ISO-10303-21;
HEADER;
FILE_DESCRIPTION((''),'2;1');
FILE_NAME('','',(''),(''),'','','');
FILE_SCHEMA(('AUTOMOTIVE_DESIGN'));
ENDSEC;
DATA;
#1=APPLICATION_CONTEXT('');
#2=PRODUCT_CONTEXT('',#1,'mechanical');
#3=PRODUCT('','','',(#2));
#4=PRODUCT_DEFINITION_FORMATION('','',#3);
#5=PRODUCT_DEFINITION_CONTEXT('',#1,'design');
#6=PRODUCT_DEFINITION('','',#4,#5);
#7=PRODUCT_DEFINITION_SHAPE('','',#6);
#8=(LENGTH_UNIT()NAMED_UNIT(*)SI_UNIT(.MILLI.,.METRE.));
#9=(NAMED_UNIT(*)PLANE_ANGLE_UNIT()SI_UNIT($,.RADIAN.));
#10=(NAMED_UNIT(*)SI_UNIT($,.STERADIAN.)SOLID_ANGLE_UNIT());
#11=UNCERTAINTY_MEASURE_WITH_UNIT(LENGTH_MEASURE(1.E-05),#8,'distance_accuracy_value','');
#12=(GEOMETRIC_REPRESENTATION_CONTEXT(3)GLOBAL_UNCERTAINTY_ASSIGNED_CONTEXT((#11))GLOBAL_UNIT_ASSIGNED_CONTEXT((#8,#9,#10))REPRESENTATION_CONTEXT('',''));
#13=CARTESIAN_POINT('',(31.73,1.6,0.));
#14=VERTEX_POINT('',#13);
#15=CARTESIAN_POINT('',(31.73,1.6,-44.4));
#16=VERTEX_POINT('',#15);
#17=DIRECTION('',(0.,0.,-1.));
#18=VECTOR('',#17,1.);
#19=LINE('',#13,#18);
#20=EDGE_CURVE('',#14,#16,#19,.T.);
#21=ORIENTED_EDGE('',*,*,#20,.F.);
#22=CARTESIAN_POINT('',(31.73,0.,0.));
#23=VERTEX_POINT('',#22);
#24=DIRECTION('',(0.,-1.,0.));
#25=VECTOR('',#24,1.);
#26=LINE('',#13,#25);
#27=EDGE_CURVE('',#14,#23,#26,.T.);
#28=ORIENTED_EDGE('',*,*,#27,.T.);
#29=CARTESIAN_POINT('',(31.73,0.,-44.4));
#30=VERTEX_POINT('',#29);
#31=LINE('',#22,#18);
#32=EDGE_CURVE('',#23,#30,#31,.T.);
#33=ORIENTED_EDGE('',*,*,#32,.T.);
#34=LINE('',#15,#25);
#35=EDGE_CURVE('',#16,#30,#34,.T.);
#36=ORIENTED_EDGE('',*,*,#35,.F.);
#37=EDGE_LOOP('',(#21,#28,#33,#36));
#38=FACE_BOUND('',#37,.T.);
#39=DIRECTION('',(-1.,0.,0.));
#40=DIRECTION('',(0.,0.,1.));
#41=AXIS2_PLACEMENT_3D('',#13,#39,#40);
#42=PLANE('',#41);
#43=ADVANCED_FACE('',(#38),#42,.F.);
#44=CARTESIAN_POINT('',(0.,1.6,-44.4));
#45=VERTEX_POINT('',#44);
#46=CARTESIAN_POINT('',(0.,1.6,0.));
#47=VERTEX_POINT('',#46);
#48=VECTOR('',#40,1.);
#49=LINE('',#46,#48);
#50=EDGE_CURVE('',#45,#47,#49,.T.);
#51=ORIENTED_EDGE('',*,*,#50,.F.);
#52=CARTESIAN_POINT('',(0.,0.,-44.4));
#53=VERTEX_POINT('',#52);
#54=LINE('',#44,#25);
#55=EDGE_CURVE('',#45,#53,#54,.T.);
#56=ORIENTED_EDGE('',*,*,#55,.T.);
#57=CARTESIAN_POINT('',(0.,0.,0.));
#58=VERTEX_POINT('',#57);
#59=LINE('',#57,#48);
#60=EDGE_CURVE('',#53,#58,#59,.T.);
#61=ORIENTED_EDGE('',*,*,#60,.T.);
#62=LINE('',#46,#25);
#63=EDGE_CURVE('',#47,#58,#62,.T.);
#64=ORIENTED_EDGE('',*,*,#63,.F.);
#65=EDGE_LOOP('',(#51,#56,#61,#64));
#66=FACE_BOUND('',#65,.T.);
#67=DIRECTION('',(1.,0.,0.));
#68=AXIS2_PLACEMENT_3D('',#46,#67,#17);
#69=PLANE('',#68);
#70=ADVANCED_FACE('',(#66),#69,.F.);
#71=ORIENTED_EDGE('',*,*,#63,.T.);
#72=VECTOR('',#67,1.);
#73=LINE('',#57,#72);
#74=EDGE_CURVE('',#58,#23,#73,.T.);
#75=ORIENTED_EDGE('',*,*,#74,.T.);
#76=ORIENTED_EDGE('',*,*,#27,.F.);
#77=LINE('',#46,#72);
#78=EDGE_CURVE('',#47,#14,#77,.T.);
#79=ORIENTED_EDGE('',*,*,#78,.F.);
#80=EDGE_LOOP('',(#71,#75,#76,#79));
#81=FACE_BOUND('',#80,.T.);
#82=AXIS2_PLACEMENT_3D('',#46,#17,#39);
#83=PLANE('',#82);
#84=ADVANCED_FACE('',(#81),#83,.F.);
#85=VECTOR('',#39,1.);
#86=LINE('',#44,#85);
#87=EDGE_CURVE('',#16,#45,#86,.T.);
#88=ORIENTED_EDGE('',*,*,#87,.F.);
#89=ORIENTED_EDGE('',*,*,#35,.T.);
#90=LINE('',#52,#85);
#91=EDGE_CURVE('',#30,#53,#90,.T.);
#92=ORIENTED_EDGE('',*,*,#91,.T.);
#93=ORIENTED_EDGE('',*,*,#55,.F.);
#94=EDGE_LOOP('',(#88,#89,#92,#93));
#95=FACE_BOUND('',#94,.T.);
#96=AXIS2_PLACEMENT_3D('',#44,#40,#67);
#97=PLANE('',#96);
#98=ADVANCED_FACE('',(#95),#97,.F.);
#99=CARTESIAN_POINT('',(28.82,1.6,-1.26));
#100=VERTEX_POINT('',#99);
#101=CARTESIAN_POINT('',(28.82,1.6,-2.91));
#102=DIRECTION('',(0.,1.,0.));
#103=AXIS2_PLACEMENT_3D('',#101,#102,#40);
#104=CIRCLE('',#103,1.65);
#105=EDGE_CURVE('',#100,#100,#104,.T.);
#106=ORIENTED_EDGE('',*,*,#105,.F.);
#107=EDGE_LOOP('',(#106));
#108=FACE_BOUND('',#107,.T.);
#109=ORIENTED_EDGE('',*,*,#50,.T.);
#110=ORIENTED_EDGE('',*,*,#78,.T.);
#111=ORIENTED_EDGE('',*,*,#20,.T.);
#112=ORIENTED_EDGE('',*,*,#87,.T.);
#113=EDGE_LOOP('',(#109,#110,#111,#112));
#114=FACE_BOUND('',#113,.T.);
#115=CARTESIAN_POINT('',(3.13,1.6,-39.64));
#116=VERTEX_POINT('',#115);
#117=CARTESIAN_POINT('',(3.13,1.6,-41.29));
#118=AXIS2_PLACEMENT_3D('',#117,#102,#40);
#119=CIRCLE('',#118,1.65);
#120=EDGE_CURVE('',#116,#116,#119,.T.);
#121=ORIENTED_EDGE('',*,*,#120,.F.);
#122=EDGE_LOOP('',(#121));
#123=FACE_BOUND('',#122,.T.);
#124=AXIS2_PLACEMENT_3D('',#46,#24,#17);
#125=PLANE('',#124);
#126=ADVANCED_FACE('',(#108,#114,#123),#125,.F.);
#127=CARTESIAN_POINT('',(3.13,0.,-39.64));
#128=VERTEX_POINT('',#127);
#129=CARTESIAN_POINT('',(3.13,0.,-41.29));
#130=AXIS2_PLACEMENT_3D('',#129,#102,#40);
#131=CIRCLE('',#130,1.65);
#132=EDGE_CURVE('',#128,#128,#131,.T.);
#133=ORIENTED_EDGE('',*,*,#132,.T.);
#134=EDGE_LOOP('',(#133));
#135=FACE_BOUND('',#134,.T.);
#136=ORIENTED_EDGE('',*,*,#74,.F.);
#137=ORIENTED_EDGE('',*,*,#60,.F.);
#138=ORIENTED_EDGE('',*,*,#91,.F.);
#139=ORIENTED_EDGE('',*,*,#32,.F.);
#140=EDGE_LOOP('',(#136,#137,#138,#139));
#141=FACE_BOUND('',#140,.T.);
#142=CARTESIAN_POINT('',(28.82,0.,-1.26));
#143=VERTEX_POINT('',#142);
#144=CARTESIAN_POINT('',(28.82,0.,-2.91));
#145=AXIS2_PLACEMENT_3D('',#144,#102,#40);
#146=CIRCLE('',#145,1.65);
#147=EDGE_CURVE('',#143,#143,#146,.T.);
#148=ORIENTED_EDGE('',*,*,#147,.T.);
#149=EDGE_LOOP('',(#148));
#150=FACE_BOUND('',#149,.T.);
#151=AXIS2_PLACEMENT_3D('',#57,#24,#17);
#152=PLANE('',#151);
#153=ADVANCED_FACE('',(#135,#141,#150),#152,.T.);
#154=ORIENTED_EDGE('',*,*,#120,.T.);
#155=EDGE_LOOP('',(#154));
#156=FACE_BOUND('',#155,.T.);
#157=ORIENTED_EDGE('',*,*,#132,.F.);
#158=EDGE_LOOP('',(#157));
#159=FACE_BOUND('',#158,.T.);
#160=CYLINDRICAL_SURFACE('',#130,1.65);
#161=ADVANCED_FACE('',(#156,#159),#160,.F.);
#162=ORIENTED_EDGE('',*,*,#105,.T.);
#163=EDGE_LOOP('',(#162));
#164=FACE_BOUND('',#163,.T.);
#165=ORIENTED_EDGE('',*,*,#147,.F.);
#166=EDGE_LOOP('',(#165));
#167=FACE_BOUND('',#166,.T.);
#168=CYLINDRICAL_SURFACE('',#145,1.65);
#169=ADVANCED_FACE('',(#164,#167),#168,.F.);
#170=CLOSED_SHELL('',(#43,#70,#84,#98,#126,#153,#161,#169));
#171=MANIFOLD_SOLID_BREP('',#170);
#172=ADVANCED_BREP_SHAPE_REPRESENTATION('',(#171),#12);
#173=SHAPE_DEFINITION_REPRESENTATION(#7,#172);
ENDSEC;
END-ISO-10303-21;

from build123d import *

# Parameters (mm, degrees)
SKETCH1_W           = 31.73
SKETCH1_H           = 44.4
BOSS_EXTRUDE1_DEPTH = 1.6
SKETCH2_R           = 1.65
CUT_EXTRUDE1_DEPTH  = 55.595905524


with BuildPart() as part:
    # Sketch1 → Boss-Extrude1 (new body)
    with BuildSketch(Plane(origin=(0, 0, 0), x_dir=(1, 0, 0), z_dir=(0, 1, 0))):
        with Locations((15.865, 22.2)):
            Rectangle(SKETCH1_W, SKETCH1_H)
    extrude(amount=BOSS_EXTRUDE1_DEPTH)

    # Sketch2 → Cut-Extrude1 (cut, through all)
    with BuildSketch(Plane(origin=(0, 1.6, 0), x_dir=(1, 0, 0), z_dir=(0, 1, 0))):
        with Locations(Location((3.13, 41.29, 0), (0, 0, 270))):
            Circle(SKETCH2_R)
        with Locations(Location((28.82, 2.91, 0), (0, 0, 270))):
            Circle(SKETCH2_R)
    extrude(amount=-CUT_EXTRUDE1_DEPTH, mode=Mode.SUBTRACT)


solid = part.part
